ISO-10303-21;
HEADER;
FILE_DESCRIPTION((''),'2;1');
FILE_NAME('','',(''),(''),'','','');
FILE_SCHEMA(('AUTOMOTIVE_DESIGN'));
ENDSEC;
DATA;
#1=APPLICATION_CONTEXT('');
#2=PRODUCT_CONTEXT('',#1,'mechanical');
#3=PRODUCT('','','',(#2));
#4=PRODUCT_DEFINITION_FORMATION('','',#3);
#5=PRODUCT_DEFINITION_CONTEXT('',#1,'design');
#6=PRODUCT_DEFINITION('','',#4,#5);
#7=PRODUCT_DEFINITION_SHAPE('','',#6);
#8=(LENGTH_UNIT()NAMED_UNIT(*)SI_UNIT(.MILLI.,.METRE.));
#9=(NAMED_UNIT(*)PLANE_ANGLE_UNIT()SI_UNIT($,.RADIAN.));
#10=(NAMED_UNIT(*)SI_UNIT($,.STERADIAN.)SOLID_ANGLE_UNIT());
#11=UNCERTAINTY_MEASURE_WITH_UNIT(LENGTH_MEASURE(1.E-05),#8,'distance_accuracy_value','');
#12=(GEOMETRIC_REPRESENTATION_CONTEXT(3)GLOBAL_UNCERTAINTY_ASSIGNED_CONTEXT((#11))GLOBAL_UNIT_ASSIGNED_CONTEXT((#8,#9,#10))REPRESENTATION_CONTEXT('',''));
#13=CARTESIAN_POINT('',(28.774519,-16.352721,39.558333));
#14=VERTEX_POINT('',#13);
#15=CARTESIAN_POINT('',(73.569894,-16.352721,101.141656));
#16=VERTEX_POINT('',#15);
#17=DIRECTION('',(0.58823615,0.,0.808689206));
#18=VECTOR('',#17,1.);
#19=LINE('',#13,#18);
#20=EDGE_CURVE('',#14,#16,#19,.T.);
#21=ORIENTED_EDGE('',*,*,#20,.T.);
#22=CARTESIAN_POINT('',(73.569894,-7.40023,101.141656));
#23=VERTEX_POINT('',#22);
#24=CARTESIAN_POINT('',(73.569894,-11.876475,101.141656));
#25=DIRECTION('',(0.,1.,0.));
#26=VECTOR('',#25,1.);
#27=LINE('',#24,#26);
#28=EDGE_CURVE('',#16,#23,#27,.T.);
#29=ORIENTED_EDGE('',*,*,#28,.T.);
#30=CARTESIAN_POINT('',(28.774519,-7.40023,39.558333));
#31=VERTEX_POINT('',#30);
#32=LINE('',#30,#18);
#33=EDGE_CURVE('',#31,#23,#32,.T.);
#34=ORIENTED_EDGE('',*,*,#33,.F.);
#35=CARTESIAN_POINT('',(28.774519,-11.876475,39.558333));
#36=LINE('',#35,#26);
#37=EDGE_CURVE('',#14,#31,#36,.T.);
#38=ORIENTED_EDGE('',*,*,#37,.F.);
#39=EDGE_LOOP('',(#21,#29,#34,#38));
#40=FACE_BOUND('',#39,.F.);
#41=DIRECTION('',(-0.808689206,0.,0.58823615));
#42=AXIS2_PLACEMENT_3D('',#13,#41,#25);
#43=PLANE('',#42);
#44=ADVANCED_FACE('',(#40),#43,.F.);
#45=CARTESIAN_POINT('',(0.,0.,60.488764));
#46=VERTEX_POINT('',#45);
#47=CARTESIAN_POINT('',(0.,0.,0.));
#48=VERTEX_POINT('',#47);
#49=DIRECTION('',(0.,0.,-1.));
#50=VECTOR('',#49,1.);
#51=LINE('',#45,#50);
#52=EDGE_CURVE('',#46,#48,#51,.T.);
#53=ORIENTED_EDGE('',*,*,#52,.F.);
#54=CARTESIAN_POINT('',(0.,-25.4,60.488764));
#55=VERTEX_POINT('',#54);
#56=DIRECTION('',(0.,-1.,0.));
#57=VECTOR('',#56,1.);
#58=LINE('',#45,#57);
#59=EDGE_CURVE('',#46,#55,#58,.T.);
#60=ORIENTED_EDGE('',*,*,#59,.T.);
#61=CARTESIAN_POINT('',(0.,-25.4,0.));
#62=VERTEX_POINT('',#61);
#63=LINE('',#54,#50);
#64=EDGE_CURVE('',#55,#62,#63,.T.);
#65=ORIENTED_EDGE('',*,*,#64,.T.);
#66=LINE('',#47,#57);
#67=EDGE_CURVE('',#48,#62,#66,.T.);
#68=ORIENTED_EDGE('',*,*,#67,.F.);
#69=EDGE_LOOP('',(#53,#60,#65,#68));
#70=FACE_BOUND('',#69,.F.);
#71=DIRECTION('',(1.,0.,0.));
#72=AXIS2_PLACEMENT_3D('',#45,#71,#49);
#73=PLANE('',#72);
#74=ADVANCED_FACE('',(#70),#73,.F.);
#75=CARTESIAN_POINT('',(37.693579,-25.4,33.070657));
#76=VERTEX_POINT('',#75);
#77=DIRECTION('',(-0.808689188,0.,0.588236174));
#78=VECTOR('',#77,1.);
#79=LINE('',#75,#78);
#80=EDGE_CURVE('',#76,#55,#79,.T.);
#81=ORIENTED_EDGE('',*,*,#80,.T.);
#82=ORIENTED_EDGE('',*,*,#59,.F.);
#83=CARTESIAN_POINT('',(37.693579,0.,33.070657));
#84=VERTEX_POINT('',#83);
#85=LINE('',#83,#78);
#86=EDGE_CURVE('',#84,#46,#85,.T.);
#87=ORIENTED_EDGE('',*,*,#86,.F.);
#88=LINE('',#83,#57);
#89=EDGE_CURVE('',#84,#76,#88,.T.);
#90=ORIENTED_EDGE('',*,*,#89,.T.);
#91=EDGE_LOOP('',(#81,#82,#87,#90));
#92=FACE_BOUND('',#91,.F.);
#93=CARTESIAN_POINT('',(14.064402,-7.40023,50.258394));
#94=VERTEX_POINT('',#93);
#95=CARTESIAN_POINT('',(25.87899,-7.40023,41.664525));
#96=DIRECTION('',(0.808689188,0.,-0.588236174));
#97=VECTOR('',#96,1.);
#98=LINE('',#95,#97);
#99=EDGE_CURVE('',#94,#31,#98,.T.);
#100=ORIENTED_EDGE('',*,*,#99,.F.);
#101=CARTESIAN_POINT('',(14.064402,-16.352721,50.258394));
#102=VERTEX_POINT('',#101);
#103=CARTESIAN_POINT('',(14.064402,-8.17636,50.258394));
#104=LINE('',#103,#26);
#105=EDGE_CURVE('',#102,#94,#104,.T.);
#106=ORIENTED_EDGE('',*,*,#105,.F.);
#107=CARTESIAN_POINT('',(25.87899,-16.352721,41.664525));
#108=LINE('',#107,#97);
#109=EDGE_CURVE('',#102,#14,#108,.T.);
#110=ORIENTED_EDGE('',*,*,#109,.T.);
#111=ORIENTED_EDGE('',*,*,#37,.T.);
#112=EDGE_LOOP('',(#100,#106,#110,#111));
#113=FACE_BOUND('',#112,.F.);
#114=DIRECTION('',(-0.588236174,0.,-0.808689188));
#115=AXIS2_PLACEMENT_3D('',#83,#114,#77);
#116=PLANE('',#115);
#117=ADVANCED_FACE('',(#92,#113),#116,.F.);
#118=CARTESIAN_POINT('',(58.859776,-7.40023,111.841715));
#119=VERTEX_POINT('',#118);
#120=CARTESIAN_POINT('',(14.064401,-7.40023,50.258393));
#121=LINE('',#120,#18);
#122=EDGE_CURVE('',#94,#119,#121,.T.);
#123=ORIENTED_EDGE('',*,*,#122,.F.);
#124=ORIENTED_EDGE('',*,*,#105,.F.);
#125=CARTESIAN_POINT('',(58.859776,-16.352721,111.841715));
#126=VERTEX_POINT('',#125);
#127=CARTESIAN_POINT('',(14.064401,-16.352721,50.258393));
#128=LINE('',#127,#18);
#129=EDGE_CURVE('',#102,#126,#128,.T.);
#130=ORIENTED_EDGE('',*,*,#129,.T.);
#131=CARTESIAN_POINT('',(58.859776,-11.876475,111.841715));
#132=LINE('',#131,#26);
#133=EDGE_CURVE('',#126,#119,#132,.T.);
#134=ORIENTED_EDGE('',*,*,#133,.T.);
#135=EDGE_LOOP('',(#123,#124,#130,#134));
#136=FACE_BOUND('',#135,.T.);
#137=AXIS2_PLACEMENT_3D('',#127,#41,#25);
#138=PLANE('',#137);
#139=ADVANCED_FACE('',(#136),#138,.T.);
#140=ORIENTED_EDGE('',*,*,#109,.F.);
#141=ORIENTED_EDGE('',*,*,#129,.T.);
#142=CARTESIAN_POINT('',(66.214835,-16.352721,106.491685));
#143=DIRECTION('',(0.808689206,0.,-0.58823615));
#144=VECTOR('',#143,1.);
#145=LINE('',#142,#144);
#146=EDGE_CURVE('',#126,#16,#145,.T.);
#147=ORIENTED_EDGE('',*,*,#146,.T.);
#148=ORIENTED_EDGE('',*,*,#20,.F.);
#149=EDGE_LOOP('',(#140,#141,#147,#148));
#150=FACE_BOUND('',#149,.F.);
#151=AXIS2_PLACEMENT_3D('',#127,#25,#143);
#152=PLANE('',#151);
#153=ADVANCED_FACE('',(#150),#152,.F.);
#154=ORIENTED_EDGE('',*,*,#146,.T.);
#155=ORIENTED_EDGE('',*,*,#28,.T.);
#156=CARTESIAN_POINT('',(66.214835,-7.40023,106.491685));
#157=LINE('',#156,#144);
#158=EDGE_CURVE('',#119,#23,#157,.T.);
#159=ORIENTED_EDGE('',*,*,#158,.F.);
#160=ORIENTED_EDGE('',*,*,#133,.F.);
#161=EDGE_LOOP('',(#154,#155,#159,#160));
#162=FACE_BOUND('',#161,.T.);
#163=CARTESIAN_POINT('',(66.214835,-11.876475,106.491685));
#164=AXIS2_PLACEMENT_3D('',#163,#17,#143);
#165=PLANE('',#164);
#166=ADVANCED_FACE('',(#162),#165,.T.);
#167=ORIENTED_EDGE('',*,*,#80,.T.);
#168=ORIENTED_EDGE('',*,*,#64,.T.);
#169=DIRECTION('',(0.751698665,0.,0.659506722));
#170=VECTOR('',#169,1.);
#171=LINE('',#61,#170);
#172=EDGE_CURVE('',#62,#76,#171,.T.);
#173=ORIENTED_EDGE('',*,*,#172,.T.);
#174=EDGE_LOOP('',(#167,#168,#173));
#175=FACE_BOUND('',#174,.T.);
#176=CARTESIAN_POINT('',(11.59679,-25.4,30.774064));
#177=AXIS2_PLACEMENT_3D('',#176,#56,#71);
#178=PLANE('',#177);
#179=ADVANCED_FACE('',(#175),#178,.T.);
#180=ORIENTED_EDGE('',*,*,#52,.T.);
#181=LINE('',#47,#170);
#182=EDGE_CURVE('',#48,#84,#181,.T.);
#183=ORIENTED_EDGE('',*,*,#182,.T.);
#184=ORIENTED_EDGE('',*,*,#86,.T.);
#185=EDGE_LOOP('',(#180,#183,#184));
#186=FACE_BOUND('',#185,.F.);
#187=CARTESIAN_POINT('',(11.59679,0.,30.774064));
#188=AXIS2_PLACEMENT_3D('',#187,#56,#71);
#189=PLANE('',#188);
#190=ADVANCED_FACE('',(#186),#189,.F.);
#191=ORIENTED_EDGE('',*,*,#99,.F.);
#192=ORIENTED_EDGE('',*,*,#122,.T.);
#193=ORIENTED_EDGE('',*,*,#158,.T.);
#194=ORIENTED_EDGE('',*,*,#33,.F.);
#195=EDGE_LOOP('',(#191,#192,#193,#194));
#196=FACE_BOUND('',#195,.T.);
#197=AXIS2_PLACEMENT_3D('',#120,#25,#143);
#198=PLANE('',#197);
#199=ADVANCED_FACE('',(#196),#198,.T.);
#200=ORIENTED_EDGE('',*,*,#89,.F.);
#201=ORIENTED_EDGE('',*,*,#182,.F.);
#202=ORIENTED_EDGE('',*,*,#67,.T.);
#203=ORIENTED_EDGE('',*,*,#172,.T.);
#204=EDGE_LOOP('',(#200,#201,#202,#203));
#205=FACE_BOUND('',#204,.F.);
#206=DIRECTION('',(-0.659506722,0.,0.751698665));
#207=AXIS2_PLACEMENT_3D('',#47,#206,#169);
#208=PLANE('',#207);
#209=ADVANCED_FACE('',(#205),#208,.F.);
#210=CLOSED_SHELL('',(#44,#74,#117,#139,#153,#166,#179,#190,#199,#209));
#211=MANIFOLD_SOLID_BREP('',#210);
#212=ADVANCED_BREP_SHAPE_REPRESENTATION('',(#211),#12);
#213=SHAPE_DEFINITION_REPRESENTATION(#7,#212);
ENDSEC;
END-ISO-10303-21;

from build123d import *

# Parameters (mm, degrees)
F1_DEPTH = 25.4
F2_W     = 18.190075
F2_H     = 8.952491
F3_DEPTH = 76.152027


with BuildPart() as f1:
    # F0 (on Front) → F1 (new body)
    with BuildSketch(Plane.XZ):
        Polygon((37.693579, 33.070657), (0, 60.488764), (0, 0), align=None)
    extrude(amount=F1_DEPTH)

    # F2 (on face) → F3 (join)
    with BuildSketch(Plane(origin=(28.774519, 0, 39.558333), x_dir=(0.808689, 0, -0.588236), z_dir=(0.588236, 0, 0.808689))):
        with Locations((-9.095038, -11.876475)):
            Rectangle(F2_W, F2_H)
    extrude(amount=F3_DEPTH)


solid = f1.part
